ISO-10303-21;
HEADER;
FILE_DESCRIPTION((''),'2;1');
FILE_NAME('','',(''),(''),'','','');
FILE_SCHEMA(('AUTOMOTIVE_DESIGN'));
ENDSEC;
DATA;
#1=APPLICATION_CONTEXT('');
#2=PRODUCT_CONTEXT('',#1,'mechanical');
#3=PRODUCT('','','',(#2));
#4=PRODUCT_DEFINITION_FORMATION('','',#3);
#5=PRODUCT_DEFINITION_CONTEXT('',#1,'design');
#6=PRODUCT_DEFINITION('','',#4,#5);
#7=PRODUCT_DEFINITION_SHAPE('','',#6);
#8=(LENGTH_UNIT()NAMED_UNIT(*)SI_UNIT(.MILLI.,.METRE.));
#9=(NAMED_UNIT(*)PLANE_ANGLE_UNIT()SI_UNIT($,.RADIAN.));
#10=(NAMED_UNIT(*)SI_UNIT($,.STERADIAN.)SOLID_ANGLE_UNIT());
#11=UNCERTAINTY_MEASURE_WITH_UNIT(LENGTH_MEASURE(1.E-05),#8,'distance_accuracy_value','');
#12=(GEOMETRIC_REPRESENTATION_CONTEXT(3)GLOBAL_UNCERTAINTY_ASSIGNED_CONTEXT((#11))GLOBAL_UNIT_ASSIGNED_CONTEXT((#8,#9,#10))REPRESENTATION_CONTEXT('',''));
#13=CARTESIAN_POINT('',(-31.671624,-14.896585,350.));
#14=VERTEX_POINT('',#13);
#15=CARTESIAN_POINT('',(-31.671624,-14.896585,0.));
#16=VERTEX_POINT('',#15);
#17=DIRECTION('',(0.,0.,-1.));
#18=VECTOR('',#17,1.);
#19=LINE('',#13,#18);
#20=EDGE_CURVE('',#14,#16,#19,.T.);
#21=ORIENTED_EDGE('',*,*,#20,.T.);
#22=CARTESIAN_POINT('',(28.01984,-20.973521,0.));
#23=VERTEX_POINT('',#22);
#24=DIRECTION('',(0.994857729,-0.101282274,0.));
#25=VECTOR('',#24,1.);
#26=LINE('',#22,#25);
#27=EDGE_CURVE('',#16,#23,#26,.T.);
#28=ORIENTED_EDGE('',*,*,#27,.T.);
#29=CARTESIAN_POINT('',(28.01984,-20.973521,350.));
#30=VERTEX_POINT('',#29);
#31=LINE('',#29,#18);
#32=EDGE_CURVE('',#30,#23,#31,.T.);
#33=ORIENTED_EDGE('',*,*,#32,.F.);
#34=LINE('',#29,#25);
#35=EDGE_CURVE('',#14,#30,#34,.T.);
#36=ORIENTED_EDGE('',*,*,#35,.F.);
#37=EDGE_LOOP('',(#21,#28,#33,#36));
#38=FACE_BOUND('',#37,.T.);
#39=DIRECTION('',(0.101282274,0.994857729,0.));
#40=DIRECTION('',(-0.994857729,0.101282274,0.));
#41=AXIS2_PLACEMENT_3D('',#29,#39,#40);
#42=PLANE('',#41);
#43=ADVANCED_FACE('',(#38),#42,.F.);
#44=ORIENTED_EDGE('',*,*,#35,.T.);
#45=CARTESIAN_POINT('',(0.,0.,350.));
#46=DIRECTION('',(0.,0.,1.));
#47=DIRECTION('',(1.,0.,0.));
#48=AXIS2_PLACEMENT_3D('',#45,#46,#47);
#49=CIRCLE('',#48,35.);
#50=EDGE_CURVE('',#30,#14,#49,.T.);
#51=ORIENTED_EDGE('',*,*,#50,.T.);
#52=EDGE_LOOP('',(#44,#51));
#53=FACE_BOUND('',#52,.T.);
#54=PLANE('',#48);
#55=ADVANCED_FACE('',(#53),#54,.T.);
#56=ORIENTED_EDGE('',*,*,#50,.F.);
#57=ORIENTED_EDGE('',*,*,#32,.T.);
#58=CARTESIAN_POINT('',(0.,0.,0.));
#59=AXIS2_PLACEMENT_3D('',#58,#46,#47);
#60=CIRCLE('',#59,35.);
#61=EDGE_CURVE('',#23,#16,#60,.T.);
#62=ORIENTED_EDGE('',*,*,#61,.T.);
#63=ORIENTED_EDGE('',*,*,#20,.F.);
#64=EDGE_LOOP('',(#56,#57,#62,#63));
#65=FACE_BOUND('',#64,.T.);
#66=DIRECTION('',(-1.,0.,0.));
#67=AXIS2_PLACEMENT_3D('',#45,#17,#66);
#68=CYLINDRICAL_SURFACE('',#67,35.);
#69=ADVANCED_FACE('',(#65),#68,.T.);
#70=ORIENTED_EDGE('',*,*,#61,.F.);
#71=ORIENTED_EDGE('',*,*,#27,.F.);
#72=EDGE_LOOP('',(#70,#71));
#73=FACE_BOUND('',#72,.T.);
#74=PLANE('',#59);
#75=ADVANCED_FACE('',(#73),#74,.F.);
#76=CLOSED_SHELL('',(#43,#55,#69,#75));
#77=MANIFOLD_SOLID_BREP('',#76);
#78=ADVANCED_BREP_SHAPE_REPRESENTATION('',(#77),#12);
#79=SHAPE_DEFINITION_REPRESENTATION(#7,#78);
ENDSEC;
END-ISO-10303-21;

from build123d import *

# Parameters (mm, degrees)
BOSS_EXTRUDE1_DEPTH = 350


with BuildPart() as part:
    # Sketch1 → Boss-Extrude1 (new body)
    with BuildSketch(Plane.XY):
        with BuildLine():
            Line((28.019839707, -20.973520992), (-31.671624033, -14.896584545))
            ThreePointArc((-31.671624033, -14.896584545), (3.544879594, 34.820020515), (28.019839707, -20.973520992))
        make_face()
    extrude(amount=BOSS_EXTRUDE1_DEPTH)


solid = part.part
